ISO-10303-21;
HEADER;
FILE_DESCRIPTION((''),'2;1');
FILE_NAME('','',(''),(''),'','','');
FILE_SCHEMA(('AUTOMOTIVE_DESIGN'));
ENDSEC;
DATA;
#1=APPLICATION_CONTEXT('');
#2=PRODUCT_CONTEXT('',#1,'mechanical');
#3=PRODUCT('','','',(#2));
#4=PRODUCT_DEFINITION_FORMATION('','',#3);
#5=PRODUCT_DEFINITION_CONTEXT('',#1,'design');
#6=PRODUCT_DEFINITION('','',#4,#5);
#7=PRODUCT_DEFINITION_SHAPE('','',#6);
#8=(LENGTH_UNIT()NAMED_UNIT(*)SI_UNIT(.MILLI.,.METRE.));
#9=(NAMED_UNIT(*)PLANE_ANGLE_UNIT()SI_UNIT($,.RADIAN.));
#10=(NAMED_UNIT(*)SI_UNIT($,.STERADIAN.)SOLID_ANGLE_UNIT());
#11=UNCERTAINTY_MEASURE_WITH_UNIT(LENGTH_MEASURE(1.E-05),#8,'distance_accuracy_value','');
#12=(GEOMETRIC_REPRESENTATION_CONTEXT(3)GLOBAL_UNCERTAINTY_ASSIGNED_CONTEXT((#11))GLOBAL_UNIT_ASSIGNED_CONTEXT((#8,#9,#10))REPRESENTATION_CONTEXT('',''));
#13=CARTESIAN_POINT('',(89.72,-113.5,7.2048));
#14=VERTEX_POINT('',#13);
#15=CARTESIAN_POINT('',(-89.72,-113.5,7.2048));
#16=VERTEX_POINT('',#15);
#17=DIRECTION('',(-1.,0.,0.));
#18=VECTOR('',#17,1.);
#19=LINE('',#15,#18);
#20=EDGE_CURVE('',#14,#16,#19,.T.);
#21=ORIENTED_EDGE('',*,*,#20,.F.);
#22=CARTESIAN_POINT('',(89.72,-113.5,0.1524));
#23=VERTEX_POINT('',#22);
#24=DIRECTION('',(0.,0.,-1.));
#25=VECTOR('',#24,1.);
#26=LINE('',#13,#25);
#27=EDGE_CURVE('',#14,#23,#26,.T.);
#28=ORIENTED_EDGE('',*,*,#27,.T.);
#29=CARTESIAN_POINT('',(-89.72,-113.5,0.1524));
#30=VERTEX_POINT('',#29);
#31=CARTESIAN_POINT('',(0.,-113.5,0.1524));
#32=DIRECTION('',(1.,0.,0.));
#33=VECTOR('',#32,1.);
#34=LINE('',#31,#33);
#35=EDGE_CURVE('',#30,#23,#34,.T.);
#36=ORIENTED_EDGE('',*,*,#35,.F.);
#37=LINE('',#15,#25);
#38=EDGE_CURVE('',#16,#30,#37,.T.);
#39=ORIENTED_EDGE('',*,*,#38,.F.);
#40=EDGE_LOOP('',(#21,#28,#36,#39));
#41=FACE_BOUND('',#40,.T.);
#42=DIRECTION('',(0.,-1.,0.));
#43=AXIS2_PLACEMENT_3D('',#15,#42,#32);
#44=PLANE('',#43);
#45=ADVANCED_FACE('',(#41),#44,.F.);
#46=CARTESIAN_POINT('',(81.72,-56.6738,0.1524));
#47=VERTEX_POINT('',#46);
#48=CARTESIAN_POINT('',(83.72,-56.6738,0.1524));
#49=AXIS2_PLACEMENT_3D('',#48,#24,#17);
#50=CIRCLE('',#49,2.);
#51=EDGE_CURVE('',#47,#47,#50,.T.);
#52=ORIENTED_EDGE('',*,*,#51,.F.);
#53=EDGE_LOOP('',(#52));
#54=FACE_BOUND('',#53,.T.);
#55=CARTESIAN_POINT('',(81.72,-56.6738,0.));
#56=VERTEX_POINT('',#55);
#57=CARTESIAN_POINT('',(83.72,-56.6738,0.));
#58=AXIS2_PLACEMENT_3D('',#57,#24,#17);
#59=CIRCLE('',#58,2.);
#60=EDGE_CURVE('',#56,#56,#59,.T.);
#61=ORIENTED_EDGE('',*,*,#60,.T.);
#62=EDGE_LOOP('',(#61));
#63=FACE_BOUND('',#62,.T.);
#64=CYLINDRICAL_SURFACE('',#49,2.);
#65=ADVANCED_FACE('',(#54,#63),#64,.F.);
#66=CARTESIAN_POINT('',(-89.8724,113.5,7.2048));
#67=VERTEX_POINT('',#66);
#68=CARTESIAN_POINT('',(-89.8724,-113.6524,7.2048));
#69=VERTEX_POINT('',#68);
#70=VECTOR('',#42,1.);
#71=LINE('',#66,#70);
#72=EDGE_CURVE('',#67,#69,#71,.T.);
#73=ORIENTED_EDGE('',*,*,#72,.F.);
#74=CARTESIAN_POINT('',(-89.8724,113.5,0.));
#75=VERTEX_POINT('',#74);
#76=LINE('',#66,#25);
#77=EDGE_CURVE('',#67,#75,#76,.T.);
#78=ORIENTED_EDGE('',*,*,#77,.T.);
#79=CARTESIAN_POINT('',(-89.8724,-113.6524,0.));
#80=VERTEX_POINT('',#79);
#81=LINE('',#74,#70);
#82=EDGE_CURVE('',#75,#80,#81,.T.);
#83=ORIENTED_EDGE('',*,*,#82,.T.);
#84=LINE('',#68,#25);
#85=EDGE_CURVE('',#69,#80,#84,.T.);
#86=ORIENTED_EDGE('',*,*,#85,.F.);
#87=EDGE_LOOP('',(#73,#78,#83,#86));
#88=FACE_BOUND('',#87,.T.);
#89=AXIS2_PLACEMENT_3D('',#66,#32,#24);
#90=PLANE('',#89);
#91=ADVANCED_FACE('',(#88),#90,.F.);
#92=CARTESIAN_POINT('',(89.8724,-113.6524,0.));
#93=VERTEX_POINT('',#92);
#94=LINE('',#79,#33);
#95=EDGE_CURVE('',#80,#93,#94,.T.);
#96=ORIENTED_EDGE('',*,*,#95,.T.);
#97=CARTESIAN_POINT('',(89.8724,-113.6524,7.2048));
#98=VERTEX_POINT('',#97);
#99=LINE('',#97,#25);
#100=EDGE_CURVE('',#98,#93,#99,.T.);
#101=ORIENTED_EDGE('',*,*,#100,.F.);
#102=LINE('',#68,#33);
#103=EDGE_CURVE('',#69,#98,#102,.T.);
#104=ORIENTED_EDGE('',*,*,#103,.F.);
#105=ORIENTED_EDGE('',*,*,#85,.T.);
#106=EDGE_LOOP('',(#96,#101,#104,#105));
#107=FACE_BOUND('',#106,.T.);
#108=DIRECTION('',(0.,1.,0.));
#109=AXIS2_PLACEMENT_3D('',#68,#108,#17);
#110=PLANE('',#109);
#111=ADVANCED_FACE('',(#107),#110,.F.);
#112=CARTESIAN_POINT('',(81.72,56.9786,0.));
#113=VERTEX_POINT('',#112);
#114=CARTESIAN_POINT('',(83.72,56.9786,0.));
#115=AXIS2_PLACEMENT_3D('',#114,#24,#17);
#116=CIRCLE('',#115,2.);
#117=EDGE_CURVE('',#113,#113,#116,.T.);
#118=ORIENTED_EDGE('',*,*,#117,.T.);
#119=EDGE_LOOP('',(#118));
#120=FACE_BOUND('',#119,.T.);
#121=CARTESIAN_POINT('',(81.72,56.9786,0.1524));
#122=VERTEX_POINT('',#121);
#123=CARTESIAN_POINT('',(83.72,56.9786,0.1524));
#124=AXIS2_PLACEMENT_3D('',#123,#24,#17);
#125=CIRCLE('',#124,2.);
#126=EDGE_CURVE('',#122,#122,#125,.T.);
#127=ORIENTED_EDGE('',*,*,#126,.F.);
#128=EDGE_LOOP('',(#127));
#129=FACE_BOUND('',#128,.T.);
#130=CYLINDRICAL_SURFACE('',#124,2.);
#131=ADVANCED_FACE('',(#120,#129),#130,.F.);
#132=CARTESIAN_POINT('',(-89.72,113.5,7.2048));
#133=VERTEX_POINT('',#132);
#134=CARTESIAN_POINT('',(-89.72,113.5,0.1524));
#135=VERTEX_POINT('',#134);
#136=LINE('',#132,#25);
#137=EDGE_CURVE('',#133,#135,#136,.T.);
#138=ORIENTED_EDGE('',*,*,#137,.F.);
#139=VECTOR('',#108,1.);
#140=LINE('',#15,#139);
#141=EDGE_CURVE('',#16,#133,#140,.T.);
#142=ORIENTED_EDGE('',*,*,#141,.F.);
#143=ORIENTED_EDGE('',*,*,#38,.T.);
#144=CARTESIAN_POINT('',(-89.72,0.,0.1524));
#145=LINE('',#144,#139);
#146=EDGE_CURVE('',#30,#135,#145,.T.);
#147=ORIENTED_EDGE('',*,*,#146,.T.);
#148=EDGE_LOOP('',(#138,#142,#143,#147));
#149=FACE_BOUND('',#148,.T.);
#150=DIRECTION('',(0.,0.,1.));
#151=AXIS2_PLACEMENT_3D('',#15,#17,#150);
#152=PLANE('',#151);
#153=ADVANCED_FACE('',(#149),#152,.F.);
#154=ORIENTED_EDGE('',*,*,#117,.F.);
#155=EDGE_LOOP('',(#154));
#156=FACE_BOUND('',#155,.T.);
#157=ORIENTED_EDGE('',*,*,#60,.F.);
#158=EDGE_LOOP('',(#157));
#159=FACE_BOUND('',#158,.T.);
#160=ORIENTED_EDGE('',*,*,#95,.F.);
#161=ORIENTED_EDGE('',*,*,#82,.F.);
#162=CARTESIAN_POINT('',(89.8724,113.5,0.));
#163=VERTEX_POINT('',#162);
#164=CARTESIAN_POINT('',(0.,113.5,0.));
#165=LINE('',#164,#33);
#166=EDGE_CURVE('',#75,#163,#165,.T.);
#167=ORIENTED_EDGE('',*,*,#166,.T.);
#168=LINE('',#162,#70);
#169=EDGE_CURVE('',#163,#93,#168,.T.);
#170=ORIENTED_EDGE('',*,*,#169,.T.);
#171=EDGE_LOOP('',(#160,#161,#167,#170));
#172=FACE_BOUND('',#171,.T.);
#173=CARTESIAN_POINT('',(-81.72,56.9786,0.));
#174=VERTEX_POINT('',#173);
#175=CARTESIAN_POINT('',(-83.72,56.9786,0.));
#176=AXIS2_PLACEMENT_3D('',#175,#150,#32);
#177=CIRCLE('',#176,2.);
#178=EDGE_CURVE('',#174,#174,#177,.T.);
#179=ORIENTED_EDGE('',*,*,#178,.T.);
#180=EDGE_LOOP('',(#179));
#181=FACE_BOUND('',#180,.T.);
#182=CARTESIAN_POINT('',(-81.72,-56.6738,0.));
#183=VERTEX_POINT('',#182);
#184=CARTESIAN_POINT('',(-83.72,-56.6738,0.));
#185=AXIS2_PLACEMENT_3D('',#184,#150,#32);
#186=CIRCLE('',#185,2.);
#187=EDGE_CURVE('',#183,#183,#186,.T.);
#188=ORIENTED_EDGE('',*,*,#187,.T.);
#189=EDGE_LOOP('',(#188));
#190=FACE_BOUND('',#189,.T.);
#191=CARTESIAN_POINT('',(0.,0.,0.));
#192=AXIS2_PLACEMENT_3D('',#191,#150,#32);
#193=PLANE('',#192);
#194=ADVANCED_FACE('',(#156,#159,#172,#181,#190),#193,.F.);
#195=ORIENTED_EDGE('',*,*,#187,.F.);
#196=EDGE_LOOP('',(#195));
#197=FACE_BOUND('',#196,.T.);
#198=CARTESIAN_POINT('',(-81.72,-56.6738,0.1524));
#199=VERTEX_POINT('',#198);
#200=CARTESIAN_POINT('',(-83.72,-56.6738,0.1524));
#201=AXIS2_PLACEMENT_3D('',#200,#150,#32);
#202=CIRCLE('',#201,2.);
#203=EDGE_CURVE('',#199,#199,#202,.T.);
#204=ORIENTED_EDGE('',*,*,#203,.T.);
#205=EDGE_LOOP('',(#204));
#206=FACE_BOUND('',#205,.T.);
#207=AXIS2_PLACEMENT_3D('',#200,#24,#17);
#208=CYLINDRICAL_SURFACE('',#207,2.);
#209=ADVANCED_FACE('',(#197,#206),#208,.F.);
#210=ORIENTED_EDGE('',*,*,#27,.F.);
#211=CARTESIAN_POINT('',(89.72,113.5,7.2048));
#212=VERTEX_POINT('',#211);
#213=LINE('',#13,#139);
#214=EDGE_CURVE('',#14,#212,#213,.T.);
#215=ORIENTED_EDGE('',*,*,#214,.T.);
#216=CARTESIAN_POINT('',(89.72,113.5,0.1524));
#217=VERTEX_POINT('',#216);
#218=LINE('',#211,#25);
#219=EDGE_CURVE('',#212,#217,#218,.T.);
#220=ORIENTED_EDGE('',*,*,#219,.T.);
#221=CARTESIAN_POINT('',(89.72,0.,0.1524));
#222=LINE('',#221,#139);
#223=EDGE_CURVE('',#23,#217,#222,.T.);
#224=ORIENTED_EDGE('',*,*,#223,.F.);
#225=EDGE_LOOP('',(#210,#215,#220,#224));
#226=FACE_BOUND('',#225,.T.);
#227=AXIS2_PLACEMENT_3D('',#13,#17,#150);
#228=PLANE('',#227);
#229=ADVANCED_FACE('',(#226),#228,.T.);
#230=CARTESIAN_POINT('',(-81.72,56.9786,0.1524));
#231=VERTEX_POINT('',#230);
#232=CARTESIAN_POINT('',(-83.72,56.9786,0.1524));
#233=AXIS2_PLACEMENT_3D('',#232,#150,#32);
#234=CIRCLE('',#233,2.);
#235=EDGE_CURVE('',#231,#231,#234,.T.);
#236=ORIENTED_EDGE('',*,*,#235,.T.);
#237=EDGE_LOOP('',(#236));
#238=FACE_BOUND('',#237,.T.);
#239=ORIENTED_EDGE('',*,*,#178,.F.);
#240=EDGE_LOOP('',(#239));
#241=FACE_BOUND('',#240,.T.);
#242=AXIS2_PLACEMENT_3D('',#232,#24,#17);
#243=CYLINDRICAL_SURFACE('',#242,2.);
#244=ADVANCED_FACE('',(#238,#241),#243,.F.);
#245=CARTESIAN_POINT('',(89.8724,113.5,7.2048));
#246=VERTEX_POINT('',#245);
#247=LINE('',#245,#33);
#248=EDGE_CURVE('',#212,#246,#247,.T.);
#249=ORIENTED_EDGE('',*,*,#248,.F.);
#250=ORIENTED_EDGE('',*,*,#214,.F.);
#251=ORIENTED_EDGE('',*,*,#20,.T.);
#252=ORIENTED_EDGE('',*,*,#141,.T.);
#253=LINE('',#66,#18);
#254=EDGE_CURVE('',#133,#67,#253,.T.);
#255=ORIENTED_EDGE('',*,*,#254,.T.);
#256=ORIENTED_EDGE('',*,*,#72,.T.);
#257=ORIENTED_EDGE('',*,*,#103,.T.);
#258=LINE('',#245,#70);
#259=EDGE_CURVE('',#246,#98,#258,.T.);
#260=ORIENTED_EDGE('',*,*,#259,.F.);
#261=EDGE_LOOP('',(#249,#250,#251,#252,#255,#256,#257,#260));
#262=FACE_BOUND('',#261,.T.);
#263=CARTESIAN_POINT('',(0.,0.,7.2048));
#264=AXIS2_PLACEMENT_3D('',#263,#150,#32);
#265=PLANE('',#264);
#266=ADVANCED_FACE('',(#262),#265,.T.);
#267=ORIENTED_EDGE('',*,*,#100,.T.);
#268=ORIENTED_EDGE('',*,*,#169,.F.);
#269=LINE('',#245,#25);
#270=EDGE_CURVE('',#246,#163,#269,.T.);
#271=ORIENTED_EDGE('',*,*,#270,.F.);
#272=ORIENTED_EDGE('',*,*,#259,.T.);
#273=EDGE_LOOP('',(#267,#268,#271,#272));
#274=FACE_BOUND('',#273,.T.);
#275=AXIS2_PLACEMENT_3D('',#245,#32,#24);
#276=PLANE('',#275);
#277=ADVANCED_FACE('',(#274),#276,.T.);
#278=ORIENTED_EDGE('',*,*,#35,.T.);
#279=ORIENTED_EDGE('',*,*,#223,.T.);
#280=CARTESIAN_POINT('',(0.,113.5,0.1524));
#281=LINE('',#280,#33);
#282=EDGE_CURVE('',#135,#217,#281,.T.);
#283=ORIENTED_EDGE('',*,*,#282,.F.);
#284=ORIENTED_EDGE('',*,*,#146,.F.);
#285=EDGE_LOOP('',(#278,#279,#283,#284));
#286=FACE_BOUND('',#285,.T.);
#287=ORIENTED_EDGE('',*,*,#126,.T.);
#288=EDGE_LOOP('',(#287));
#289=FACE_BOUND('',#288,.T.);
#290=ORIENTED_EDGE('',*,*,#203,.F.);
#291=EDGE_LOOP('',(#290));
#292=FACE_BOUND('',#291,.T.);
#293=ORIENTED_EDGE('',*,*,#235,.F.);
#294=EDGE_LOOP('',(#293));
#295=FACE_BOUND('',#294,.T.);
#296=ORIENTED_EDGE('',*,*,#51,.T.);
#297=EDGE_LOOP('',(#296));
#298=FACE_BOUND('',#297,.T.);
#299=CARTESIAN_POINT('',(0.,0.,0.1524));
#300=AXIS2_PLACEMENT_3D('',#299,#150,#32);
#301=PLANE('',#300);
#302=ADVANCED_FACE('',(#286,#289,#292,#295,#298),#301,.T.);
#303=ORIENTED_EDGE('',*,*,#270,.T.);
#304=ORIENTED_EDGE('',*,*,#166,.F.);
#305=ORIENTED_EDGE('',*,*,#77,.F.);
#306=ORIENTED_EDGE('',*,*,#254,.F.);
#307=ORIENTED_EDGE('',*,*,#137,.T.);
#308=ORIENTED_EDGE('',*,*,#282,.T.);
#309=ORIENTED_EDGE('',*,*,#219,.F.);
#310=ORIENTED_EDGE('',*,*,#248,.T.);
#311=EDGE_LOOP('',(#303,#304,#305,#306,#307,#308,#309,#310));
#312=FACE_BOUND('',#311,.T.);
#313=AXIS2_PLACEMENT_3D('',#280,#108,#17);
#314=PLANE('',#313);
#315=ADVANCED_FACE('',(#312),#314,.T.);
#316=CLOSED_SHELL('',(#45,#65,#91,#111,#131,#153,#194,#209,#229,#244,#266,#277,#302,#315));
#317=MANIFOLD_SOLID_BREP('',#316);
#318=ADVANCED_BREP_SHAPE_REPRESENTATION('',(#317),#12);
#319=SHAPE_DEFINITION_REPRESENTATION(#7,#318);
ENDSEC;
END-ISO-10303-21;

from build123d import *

# Parameters (mm, degrees)
SKETCH1_W            = 89.72
SKETCH1_H            = 227
SKETCH1_R            = 2
HEAT_EXCHANGER_DEPTH = 0.1524
CONVECTION_FIN_DEPTH = 7.2048


with BuildPart() as part:
    # Sketch1 → Heat Exchanger (new body)
    with BuildSketch(Plane.XY):
        with Locations((-44.86, 0)):
            Rectangle(SKETCH1_W, SKETCH1_H)
        with Locations((-83.72, -56.6738)):
            Circle(SKETCH1_R, mode=Mode.SUBTRACT)
        with Locations((-83.72, 56.9786)):
            Circle(SKETCH1_R, mode=Mode.SUBTRACT)
    heat_exchanger = extrude(amount=HEAT_EXCHANGER_DEPTH)

    # Sketch3 → Convection Fin (add)
    with BuildSketch(Plane.XY):
        Polygon((0, -113.6524), (0, -113.5), (-89.72, -113.5), (-89.72, 113.5), (-89.8724, 113.5), (-89.8724, -113.6524), align=None)
    convection_fin = extrude(amount=CONVECTION_FIN_DEPTH)

    # Mirror1: Heat Exchanger, Convection Fin across plane
    add(heat_exchanger.mirror(Plane(origin=(0, 0, 0), x_dir=(0, 0, 1), z_dir=(1, 0, 0))))
    add(convection_fin.mirror(Plane(origin=(0, 0, 0), x_dir=(0, 0, 1), z_dir=(1, 0, 0))))


solid = part.part
